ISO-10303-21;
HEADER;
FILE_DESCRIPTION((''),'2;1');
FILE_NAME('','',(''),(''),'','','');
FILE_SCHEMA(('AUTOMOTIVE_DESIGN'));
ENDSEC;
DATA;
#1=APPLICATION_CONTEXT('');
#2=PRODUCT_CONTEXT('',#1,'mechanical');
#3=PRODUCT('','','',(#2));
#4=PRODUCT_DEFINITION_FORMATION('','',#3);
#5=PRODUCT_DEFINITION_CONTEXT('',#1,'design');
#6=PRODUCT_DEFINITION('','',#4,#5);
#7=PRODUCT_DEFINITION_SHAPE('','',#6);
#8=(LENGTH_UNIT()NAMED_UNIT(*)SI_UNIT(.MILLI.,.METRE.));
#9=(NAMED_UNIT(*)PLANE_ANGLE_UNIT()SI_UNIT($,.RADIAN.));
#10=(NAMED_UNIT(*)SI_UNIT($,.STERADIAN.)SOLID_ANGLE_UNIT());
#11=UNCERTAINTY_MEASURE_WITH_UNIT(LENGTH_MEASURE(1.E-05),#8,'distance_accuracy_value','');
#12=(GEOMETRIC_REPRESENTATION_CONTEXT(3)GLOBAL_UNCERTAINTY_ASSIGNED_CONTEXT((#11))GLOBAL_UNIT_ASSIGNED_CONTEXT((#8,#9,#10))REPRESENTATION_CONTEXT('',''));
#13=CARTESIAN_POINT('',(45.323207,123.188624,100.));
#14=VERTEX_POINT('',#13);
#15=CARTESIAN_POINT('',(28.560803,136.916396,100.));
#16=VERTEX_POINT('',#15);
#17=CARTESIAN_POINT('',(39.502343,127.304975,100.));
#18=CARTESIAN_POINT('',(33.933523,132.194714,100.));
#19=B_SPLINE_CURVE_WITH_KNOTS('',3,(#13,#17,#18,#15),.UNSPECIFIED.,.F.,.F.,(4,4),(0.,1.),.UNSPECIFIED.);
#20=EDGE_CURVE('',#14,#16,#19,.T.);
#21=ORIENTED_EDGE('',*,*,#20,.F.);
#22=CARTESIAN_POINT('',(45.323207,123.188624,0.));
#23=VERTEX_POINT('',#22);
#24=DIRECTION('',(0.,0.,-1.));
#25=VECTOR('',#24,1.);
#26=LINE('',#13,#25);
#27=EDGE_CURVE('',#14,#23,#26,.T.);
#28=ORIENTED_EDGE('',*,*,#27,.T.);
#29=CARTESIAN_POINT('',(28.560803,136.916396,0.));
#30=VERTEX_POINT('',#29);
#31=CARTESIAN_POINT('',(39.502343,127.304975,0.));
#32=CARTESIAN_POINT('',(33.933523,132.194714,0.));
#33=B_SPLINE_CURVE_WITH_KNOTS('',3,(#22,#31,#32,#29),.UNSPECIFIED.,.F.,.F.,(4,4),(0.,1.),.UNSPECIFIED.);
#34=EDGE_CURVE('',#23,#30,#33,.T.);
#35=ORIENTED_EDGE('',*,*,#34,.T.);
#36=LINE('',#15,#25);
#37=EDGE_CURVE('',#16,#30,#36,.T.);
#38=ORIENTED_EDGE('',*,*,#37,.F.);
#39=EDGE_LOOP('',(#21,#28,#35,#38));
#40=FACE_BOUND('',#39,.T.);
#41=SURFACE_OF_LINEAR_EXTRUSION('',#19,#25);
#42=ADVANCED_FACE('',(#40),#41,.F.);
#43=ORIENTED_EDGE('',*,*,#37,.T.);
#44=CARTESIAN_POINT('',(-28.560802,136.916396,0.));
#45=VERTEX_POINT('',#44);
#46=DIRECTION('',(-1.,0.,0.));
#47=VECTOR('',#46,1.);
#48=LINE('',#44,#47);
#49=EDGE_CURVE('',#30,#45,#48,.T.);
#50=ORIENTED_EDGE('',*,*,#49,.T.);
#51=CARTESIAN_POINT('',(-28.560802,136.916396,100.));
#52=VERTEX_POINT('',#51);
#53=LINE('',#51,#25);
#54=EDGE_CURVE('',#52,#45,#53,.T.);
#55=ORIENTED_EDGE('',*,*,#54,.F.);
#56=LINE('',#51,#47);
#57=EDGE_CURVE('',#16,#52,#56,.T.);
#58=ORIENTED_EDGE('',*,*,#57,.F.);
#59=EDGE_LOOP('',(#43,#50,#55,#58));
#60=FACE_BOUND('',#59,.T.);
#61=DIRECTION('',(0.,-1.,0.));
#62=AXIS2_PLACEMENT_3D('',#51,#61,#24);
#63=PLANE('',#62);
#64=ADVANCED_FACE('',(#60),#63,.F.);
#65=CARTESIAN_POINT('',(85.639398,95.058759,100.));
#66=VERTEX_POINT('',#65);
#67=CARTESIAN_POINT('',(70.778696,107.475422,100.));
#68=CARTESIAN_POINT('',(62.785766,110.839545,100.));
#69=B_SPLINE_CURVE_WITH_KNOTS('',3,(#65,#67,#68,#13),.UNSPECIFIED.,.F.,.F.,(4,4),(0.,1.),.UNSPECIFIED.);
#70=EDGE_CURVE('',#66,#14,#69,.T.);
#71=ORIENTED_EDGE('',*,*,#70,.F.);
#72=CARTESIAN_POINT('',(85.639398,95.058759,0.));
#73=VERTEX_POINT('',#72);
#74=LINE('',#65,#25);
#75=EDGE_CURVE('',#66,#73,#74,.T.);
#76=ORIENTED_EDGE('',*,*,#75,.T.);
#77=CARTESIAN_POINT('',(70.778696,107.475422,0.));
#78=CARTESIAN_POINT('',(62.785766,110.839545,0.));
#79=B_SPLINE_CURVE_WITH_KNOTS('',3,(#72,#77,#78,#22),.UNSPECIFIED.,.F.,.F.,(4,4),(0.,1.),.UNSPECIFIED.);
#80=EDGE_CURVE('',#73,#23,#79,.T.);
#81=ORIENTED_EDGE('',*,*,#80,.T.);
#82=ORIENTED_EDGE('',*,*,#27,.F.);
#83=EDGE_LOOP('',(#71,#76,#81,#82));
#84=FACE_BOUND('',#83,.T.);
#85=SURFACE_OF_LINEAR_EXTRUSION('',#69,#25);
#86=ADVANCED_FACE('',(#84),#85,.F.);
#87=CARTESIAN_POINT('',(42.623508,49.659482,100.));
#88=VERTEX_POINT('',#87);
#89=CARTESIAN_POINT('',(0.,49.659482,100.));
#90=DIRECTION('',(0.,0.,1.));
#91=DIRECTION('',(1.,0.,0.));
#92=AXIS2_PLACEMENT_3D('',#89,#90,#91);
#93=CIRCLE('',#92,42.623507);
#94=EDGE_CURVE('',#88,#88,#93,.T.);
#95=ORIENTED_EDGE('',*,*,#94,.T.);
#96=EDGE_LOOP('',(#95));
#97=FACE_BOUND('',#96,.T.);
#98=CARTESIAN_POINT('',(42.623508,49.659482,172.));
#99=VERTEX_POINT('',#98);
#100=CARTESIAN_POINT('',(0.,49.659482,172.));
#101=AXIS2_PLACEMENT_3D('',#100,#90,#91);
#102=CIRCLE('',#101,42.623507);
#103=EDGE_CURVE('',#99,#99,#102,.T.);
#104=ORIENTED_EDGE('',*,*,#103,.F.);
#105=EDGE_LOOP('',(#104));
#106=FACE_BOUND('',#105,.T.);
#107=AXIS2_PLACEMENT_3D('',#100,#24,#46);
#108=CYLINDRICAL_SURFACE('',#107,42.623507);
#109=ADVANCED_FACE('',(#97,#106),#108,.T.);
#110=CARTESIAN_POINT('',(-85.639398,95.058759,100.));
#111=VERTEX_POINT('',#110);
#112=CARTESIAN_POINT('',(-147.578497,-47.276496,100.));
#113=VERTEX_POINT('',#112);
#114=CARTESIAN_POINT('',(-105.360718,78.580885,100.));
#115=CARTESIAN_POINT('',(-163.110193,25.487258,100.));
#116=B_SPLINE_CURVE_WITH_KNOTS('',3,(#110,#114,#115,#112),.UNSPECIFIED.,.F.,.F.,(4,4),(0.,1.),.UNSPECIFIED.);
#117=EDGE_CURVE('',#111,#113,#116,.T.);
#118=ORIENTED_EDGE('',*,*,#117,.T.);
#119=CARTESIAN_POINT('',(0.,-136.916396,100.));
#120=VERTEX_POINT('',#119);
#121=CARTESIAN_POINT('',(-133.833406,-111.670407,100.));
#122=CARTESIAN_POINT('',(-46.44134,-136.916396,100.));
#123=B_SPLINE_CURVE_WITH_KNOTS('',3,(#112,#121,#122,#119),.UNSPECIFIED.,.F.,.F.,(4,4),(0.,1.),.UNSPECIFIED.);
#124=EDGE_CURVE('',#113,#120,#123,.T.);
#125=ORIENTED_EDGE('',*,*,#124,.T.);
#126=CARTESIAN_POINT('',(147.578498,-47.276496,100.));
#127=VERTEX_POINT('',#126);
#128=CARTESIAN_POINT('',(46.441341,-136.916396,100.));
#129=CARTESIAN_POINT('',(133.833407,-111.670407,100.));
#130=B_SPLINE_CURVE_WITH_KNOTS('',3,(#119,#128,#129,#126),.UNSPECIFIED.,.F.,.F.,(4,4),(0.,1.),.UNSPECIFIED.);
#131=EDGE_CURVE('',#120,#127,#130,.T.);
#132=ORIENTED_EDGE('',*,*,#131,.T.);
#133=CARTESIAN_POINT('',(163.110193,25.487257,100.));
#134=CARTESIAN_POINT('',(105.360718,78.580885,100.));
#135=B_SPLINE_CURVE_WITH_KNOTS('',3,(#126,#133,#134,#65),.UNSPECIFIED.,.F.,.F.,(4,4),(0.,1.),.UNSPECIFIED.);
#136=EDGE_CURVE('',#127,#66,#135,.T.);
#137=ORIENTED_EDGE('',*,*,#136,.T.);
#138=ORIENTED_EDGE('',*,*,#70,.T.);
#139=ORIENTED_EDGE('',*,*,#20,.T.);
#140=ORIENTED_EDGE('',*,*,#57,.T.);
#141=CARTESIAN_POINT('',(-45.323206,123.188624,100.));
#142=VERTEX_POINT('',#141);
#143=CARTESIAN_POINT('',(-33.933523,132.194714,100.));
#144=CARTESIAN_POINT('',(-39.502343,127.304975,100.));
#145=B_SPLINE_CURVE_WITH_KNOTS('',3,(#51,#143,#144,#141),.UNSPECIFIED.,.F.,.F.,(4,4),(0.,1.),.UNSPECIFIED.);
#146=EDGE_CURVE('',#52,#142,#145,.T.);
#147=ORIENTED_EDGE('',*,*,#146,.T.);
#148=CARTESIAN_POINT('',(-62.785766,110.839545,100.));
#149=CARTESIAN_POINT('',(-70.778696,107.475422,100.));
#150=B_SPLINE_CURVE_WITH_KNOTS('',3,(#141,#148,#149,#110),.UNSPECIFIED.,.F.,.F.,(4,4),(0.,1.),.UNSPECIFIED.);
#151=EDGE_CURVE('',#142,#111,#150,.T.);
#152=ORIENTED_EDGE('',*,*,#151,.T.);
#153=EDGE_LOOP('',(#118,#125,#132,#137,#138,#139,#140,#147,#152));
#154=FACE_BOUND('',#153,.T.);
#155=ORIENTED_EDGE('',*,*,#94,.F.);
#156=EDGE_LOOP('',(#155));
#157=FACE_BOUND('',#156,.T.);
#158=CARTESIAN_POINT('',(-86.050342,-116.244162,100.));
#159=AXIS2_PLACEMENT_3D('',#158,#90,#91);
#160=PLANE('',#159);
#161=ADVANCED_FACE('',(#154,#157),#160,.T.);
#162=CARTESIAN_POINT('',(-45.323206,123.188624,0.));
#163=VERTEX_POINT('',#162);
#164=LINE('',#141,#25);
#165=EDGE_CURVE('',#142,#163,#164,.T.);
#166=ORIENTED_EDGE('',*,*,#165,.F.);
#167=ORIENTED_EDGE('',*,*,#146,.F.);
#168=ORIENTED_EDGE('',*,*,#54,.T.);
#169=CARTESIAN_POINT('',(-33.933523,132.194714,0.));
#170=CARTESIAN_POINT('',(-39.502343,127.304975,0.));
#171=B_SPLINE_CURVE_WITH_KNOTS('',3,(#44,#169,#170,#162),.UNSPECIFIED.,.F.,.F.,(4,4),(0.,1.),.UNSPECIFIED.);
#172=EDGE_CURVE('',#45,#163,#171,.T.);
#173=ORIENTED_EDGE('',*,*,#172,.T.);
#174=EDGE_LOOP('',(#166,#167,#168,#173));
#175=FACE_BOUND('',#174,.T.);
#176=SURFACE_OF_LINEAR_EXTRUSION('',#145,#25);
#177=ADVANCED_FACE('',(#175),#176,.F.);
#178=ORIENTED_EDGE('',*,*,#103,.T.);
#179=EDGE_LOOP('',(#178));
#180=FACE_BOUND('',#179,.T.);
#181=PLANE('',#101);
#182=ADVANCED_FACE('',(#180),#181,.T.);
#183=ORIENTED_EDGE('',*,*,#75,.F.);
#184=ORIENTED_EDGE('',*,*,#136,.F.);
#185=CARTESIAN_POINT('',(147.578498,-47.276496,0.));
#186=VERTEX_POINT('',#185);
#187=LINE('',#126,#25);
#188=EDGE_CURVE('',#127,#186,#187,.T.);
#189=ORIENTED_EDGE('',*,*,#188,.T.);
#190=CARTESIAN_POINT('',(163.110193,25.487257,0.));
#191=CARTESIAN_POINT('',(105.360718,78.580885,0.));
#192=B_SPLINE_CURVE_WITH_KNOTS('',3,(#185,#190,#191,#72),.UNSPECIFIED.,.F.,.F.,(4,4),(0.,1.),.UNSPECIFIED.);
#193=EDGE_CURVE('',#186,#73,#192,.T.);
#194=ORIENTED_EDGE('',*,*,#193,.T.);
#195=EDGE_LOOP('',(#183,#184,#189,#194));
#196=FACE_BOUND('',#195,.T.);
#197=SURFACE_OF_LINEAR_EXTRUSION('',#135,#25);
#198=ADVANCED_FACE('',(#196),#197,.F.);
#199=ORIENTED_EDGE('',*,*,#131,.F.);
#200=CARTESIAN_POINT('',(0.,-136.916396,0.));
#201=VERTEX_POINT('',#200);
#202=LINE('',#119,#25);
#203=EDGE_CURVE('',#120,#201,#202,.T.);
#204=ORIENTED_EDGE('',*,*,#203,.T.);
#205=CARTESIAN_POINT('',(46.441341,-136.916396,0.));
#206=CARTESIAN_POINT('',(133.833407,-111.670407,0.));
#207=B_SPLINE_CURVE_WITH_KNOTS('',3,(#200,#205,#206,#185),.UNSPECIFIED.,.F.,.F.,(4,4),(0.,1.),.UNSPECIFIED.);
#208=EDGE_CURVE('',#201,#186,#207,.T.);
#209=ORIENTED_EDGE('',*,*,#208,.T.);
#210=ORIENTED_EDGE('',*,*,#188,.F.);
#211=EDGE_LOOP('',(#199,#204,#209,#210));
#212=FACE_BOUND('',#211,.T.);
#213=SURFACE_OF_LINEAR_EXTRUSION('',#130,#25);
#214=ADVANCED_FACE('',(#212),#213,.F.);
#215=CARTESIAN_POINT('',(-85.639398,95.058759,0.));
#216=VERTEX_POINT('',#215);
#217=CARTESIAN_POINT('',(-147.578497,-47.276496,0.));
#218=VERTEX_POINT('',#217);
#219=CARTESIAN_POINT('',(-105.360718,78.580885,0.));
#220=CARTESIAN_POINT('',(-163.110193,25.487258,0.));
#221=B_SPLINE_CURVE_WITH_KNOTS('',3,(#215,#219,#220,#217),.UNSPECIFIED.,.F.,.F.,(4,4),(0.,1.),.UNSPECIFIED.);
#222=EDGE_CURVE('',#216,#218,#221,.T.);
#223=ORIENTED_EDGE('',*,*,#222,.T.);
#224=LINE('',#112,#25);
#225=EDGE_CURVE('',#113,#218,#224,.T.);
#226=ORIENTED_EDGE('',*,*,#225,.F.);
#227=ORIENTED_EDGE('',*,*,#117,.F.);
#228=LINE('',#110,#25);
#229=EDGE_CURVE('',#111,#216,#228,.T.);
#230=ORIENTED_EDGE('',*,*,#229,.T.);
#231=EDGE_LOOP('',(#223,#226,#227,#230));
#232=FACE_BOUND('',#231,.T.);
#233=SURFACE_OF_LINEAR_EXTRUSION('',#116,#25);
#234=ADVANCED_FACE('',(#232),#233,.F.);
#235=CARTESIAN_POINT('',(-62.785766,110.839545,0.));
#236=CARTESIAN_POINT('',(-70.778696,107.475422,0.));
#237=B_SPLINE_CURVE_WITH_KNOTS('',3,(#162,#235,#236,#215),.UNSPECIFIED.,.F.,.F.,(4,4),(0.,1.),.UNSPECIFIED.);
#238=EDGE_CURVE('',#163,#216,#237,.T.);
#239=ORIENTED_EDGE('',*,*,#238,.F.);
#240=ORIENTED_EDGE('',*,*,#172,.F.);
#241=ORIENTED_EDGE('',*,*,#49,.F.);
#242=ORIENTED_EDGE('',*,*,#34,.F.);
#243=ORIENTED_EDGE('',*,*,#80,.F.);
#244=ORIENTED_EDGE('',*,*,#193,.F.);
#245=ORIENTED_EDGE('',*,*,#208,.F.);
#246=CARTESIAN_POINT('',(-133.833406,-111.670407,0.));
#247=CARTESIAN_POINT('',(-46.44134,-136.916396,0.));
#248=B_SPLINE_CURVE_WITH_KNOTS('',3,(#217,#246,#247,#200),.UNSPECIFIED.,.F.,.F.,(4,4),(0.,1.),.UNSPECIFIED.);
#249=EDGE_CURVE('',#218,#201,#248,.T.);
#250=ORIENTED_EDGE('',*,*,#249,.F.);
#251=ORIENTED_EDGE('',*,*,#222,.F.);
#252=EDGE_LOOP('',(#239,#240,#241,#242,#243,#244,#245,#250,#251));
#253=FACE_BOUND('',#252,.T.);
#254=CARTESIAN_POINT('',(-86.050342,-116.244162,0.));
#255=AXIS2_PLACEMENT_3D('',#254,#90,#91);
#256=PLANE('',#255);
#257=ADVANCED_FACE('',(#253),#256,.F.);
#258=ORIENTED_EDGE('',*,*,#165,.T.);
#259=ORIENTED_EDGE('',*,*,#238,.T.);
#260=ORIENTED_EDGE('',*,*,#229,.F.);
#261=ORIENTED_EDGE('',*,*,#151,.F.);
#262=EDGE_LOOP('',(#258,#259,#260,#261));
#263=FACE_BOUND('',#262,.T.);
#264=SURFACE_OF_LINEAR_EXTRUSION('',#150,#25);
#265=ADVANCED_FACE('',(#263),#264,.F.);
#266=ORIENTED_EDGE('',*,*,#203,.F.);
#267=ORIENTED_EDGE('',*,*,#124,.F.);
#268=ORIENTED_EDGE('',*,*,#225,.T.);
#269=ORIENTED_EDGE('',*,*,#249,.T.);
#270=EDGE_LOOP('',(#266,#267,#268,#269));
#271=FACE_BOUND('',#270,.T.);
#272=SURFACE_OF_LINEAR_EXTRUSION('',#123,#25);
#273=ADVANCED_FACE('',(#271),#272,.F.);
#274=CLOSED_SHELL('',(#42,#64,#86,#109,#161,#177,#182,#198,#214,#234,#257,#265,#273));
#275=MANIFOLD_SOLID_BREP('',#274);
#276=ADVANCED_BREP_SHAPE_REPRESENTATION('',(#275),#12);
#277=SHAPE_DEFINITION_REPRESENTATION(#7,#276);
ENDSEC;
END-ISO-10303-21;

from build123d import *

# Parameters (mm, degrees)
SALIENTE_EXTRUIR1_DEPTH = 100
SALIENTE_EXTRUIR2_DEPTH = 100
CROQUIS13_R             = 42.623507313
SALIENTE_EXTRUIR3_DEPTH = 72


with BuildPart() as part:
    # Croquis1 → Saliente-Extruir1 (new body)
    with BuildSketch(Plane.XY):
        with BuildLine():
            Line((-28.560802162, 136.916395712), (2.54e-07, 136.916395712))
            Line((2.54e-07, 136.916395712), (2.54e-07, -136.916395712))
            add(Edge.make_bspline(
                [(2.54e-07, -136.916395712), (-46.441340442, -136.916395602), (-133.83340639, -111.670406771), (-147.578497366, -47.27649641)],
                knots=[0, 0, 0, 0, 1, 1, 1, 1], degree=3))
            add(Edge.make_bspline(
                [(-147.578497366, -47.27649641), (-163.110192587, 25.487257565), (-105.360717743, 78.580885367), (-85.639397682, 95.058759336)],
                knots=[0, 0, 0, 0, 1, 1, 1, 1], degree=3))
            add(Edge.make_bspline(
                [(-85.639397682, 95.058759336), (-70.778695882, 107.475422336), (-62.78576597, 110.83954464), (-45.323206026, 123.188624336)],
                knots=[0, 0, 0, 0, 1, 1, 1, 1], degree=3))
            add(Edge.make_bspline(
                [(-45.323206026, 123.188624336), (-39.50234289, 127.304974752), (-33.933522938, 132.194713512), (-28.560802162, 136.916395712)],
                knots=[0, 0, 0, 0, 1, 1, 1, 1], degree=3))
        make_face()
    extrude(amount=SALIENTE_EXTRUIR1_DEPTH)

    # Croquis3 → Saliente-Extruir2 (add)
    with BuildSketch(Plane.XY):
        with BuildLine():
            Line((2.54e-07, 136.916395712), (0, -136.916395712))
            add(Edge.make_bspline(
                [(0, -136.916395712), (46.441340696, -136.916395629), (133.833406659, -111.67040685), (147.578497673, -47.276496498)],
                knots=[0, 0, 0, 0, 1, 1, 1, 1], degree=3))
            add(Edge.make_bspline(
                [(147.578497673, -47.276496498), (163.110192997, 25.487257456), (105.360718228, 78.58088534), (85.63939819, 95.058759336)],
                knots=[0, 0, 0, 0, 1, 1, 1, 1], degree=3))
            add(Edge.make_bspline(
                [(85.63939819, 95.058759336), (70.77869639, 107.475422336), (62.785766478, 110.83954464), (45.323206534, 123.188624336)],
                knots=[0, 0, 0, 0, 1, 1, 1, 1], degree=3))
            add(Edge.make_bspline(
                [(45.323206534, 123.188624336), (39.502343398, 127.304974752), (33.933523446, 132.194713512), (28.56080267, 136.916395712)],
                knots=[0, 0, 0, 0, 1, 1, 1, 1], degree=3))
            Line((28.56080267, 136.916395712), (2.54e-07, 136.916395712))
        make_face()
    extrude(amount=SALIENTE_EXTRUIR2_DEPTH)

    # Croquis13 → Saliente-Extruir3 (add)
    with BuildSketch(Plane.XY.offset(100)):
        with Locations((2.54e-07, 49.659481629)):
            Circle(CROQUIS13_R)
    extrude(amount=SALIENTE_EXTRUIR3_DEPTH)


solid = part.part
